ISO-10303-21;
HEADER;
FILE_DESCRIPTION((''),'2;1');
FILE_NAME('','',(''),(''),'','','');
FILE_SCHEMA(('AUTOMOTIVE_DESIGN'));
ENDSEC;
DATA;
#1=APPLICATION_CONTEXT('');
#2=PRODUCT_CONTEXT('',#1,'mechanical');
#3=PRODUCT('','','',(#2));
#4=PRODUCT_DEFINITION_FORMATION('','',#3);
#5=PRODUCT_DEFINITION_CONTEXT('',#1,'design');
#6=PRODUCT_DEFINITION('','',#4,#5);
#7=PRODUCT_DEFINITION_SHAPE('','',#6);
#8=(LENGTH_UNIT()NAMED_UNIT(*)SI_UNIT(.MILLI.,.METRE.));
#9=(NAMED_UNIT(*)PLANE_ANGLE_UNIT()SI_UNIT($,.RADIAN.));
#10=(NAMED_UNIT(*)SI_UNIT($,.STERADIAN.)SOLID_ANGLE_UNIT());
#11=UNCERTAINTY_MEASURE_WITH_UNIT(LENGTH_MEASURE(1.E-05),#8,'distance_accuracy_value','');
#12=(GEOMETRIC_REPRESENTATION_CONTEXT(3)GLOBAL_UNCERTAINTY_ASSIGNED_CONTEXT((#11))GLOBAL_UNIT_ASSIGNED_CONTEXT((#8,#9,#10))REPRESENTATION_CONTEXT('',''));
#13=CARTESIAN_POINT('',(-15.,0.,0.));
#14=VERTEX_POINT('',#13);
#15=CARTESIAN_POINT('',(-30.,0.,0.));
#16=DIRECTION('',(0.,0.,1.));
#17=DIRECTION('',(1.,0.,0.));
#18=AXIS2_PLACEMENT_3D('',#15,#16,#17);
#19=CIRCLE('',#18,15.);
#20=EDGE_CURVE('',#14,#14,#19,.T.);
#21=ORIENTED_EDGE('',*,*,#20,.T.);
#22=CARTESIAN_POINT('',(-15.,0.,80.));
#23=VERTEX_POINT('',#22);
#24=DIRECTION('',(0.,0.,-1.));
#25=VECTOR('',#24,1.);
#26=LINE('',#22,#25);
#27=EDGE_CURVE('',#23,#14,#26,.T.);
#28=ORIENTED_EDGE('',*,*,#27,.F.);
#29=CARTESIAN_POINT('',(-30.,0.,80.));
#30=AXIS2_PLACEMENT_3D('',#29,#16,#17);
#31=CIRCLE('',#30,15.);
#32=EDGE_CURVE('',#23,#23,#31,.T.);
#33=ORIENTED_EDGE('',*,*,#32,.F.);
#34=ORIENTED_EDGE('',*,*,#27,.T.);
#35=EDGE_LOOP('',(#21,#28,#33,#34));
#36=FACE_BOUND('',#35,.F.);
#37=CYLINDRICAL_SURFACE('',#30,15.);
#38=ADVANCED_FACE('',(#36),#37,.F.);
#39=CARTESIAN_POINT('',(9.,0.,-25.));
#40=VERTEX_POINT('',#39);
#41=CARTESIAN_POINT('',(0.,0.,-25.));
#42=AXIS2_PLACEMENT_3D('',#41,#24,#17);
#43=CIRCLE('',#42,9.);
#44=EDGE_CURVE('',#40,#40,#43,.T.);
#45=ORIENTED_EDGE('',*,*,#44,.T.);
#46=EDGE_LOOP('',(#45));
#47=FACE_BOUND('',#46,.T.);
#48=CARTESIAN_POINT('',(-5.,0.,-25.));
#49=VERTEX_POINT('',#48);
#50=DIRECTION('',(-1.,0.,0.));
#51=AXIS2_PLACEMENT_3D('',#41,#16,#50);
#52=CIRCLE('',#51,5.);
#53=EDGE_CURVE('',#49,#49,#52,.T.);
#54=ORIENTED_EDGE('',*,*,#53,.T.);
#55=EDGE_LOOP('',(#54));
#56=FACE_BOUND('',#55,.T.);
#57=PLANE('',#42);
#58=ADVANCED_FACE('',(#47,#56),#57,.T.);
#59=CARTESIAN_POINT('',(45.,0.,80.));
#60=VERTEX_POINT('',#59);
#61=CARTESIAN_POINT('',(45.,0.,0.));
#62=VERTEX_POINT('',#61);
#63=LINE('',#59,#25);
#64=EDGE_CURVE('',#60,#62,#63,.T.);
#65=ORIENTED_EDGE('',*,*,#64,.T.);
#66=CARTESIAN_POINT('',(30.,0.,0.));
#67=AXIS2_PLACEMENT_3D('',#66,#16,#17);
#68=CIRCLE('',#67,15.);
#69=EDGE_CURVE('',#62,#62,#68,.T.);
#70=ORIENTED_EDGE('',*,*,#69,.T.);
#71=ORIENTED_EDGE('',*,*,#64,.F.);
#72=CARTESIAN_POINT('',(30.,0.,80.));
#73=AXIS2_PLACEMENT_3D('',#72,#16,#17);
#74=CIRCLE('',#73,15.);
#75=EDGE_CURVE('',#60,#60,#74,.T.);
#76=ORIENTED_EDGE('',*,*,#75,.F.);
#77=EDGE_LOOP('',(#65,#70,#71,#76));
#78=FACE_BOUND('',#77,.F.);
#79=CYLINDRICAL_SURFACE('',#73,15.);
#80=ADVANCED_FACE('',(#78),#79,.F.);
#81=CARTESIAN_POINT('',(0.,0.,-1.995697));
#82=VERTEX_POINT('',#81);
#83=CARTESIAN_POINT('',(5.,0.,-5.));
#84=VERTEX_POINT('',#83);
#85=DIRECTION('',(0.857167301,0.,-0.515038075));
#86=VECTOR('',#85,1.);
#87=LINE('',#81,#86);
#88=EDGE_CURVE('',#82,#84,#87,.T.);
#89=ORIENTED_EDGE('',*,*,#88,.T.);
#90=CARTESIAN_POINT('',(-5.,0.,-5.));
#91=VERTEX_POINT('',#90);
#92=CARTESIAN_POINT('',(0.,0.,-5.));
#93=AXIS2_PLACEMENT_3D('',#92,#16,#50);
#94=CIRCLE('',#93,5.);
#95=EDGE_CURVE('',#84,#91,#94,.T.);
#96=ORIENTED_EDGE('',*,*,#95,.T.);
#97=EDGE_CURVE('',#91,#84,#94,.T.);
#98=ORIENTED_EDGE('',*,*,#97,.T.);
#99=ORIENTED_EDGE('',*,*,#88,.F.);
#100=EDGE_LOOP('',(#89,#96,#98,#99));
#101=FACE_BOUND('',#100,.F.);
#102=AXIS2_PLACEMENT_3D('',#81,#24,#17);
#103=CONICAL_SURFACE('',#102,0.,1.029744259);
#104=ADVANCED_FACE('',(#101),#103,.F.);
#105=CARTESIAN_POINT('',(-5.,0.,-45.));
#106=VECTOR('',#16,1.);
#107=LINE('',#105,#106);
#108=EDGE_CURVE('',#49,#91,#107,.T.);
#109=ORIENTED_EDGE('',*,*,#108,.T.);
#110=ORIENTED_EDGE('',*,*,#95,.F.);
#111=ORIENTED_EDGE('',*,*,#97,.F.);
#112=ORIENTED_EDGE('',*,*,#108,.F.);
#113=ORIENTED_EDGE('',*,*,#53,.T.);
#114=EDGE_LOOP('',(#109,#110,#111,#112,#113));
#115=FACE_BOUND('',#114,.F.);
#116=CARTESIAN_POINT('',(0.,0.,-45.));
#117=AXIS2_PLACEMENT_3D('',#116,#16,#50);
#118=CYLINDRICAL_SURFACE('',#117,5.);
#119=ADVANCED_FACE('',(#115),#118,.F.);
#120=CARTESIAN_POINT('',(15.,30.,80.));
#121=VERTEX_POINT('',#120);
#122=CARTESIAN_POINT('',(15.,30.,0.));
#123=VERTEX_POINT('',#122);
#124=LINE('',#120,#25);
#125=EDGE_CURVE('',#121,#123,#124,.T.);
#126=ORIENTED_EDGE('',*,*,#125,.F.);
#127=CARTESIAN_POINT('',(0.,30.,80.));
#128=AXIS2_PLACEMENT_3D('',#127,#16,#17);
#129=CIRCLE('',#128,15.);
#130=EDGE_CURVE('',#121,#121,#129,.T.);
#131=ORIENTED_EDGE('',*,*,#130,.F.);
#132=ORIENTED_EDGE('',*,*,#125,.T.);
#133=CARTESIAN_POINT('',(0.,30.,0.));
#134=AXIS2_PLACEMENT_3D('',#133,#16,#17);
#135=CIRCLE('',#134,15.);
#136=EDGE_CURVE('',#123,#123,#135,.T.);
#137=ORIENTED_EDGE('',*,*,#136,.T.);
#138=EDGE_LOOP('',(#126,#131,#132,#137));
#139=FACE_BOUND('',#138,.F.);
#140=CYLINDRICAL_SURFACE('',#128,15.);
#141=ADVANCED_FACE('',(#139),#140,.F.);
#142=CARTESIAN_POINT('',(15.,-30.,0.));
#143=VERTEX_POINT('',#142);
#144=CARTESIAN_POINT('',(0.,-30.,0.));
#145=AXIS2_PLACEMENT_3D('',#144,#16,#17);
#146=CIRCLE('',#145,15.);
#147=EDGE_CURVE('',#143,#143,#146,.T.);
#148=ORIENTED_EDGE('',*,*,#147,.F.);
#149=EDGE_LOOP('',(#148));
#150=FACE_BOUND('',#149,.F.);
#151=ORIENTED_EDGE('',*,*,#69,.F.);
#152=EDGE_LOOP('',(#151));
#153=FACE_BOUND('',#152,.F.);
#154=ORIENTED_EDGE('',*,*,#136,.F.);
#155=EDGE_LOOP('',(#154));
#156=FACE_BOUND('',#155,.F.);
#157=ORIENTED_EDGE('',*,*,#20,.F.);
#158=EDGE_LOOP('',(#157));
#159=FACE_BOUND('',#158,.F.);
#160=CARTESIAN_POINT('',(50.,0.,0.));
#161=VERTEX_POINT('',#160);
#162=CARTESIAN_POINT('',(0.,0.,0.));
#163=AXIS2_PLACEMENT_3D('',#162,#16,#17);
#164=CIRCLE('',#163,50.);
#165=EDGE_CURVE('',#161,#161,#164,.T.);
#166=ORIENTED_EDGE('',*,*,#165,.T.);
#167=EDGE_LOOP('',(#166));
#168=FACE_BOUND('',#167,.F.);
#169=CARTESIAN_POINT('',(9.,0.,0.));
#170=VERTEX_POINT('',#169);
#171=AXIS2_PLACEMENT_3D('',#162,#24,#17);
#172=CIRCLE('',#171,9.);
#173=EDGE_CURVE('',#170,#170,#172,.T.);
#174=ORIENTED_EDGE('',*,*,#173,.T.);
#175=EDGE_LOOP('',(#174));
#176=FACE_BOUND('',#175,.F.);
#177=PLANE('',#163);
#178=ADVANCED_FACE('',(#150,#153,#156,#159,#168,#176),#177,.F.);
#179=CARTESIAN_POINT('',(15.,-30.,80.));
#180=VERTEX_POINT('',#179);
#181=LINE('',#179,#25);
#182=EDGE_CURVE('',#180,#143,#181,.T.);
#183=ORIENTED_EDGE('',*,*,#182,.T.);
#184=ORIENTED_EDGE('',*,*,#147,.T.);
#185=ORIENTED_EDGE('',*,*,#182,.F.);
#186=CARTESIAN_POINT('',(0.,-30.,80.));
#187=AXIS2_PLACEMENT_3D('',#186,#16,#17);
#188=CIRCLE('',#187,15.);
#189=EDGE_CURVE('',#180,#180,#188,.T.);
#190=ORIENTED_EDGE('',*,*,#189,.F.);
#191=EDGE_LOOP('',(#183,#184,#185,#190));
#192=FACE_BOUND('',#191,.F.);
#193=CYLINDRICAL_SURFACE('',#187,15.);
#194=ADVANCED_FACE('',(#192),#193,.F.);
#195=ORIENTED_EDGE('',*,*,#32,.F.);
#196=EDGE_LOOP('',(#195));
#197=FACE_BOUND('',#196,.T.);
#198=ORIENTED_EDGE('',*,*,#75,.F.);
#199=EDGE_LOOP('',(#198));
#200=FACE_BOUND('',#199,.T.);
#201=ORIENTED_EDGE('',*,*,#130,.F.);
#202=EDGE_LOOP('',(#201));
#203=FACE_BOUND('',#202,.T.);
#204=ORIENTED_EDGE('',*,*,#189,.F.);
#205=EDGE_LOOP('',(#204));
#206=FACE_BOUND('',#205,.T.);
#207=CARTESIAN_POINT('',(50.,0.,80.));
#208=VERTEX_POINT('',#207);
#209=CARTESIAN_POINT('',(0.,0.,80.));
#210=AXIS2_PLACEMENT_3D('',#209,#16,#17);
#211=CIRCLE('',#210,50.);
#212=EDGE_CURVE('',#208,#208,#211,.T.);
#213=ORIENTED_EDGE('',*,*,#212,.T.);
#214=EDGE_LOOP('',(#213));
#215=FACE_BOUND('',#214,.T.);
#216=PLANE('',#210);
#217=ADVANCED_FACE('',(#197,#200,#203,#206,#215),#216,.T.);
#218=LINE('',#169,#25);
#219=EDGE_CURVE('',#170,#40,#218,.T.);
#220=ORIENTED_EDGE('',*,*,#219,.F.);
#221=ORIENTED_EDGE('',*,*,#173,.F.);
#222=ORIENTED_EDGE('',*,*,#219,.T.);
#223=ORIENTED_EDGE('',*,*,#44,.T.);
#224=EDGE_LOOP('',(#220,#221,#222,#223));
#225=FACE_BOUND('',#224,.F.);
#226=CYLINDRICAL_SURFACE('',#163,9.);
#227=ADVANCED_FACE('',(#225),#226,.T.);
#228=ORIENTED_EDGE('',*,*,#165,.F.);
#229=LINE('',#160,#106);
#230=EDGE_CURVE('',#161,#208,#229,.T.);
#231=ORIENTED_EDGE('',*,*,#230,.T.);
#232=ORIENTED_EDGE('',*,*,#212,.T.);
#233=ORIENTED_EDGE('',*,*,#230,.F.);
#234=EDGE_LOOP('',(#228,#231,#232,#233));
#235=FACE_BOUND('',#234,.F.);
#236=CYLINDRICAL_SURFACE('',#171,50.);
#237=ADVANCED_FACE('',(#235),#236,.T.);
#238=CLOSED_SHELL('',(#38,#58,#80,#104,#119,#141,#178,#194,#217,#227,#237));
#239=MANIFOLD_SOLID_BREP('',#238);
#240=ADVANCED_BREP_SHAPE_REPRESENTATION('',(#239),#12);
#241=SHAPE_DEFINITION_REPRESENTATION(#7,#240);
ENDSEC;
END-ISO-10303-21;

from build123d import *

# Parameters (mm, degrees)
F0_R     = 50
F1_DEPTH = 80
F2_R     = 15
F3_DEPTH = 80.001
F4_R     = 9
F5_DEPTH = 25
F7_D     = 10
F7_DEPTH = 20
F7_TIP   = 3.0043030951


with BuildPart() as f1:
    # F0 (on Top) → F1 (new body)
    with BuildSketch(Plane.XY):
        Circle(F0_R)
    extrude(amount=F1_DEPTH)

    # F2 (on face) → F3 (cut, through all)
    with BuildSketch(Plane.XY.offset(80)):
        with Locations((0, 30)):
            Circle(F2_R)
        with Locations((-30, 0)):
            Circle(F2_R)
        with Locations((0, -30)):
            Circle(F2_R)
        with Locations((30, 0)):
            Circle(F2_R)
    extrude(amount=-F3_DEPTH, mode=Mode.SUBTRACT)

    # F4 (on face) → F5 (join)
    with BuildSketch(Plane(origin=(0, 0, 0), x_dir=(1, 0, 0), z_dir=(0, 0, -1))):
        Circle(F4_R)
    extrude(amount=F5_DEPTH)

    # F7
    with Locations(Plane(origin=(0, 0, -25), x_dir=(1, 0, 0), z_dir=(0, 0, -1))):
        with Locations((0, 0)):
            Hole(F7_D / 2, depth=F7_DEPTH)
            with Locations((0, 0, -(F7_DEPTH + F7_TIP / 2))):  # 118° drill point
                Cone(0, F7_D / 2, F7_TIP, mode=Mode.SUBTRACT)


solid = f1.part
